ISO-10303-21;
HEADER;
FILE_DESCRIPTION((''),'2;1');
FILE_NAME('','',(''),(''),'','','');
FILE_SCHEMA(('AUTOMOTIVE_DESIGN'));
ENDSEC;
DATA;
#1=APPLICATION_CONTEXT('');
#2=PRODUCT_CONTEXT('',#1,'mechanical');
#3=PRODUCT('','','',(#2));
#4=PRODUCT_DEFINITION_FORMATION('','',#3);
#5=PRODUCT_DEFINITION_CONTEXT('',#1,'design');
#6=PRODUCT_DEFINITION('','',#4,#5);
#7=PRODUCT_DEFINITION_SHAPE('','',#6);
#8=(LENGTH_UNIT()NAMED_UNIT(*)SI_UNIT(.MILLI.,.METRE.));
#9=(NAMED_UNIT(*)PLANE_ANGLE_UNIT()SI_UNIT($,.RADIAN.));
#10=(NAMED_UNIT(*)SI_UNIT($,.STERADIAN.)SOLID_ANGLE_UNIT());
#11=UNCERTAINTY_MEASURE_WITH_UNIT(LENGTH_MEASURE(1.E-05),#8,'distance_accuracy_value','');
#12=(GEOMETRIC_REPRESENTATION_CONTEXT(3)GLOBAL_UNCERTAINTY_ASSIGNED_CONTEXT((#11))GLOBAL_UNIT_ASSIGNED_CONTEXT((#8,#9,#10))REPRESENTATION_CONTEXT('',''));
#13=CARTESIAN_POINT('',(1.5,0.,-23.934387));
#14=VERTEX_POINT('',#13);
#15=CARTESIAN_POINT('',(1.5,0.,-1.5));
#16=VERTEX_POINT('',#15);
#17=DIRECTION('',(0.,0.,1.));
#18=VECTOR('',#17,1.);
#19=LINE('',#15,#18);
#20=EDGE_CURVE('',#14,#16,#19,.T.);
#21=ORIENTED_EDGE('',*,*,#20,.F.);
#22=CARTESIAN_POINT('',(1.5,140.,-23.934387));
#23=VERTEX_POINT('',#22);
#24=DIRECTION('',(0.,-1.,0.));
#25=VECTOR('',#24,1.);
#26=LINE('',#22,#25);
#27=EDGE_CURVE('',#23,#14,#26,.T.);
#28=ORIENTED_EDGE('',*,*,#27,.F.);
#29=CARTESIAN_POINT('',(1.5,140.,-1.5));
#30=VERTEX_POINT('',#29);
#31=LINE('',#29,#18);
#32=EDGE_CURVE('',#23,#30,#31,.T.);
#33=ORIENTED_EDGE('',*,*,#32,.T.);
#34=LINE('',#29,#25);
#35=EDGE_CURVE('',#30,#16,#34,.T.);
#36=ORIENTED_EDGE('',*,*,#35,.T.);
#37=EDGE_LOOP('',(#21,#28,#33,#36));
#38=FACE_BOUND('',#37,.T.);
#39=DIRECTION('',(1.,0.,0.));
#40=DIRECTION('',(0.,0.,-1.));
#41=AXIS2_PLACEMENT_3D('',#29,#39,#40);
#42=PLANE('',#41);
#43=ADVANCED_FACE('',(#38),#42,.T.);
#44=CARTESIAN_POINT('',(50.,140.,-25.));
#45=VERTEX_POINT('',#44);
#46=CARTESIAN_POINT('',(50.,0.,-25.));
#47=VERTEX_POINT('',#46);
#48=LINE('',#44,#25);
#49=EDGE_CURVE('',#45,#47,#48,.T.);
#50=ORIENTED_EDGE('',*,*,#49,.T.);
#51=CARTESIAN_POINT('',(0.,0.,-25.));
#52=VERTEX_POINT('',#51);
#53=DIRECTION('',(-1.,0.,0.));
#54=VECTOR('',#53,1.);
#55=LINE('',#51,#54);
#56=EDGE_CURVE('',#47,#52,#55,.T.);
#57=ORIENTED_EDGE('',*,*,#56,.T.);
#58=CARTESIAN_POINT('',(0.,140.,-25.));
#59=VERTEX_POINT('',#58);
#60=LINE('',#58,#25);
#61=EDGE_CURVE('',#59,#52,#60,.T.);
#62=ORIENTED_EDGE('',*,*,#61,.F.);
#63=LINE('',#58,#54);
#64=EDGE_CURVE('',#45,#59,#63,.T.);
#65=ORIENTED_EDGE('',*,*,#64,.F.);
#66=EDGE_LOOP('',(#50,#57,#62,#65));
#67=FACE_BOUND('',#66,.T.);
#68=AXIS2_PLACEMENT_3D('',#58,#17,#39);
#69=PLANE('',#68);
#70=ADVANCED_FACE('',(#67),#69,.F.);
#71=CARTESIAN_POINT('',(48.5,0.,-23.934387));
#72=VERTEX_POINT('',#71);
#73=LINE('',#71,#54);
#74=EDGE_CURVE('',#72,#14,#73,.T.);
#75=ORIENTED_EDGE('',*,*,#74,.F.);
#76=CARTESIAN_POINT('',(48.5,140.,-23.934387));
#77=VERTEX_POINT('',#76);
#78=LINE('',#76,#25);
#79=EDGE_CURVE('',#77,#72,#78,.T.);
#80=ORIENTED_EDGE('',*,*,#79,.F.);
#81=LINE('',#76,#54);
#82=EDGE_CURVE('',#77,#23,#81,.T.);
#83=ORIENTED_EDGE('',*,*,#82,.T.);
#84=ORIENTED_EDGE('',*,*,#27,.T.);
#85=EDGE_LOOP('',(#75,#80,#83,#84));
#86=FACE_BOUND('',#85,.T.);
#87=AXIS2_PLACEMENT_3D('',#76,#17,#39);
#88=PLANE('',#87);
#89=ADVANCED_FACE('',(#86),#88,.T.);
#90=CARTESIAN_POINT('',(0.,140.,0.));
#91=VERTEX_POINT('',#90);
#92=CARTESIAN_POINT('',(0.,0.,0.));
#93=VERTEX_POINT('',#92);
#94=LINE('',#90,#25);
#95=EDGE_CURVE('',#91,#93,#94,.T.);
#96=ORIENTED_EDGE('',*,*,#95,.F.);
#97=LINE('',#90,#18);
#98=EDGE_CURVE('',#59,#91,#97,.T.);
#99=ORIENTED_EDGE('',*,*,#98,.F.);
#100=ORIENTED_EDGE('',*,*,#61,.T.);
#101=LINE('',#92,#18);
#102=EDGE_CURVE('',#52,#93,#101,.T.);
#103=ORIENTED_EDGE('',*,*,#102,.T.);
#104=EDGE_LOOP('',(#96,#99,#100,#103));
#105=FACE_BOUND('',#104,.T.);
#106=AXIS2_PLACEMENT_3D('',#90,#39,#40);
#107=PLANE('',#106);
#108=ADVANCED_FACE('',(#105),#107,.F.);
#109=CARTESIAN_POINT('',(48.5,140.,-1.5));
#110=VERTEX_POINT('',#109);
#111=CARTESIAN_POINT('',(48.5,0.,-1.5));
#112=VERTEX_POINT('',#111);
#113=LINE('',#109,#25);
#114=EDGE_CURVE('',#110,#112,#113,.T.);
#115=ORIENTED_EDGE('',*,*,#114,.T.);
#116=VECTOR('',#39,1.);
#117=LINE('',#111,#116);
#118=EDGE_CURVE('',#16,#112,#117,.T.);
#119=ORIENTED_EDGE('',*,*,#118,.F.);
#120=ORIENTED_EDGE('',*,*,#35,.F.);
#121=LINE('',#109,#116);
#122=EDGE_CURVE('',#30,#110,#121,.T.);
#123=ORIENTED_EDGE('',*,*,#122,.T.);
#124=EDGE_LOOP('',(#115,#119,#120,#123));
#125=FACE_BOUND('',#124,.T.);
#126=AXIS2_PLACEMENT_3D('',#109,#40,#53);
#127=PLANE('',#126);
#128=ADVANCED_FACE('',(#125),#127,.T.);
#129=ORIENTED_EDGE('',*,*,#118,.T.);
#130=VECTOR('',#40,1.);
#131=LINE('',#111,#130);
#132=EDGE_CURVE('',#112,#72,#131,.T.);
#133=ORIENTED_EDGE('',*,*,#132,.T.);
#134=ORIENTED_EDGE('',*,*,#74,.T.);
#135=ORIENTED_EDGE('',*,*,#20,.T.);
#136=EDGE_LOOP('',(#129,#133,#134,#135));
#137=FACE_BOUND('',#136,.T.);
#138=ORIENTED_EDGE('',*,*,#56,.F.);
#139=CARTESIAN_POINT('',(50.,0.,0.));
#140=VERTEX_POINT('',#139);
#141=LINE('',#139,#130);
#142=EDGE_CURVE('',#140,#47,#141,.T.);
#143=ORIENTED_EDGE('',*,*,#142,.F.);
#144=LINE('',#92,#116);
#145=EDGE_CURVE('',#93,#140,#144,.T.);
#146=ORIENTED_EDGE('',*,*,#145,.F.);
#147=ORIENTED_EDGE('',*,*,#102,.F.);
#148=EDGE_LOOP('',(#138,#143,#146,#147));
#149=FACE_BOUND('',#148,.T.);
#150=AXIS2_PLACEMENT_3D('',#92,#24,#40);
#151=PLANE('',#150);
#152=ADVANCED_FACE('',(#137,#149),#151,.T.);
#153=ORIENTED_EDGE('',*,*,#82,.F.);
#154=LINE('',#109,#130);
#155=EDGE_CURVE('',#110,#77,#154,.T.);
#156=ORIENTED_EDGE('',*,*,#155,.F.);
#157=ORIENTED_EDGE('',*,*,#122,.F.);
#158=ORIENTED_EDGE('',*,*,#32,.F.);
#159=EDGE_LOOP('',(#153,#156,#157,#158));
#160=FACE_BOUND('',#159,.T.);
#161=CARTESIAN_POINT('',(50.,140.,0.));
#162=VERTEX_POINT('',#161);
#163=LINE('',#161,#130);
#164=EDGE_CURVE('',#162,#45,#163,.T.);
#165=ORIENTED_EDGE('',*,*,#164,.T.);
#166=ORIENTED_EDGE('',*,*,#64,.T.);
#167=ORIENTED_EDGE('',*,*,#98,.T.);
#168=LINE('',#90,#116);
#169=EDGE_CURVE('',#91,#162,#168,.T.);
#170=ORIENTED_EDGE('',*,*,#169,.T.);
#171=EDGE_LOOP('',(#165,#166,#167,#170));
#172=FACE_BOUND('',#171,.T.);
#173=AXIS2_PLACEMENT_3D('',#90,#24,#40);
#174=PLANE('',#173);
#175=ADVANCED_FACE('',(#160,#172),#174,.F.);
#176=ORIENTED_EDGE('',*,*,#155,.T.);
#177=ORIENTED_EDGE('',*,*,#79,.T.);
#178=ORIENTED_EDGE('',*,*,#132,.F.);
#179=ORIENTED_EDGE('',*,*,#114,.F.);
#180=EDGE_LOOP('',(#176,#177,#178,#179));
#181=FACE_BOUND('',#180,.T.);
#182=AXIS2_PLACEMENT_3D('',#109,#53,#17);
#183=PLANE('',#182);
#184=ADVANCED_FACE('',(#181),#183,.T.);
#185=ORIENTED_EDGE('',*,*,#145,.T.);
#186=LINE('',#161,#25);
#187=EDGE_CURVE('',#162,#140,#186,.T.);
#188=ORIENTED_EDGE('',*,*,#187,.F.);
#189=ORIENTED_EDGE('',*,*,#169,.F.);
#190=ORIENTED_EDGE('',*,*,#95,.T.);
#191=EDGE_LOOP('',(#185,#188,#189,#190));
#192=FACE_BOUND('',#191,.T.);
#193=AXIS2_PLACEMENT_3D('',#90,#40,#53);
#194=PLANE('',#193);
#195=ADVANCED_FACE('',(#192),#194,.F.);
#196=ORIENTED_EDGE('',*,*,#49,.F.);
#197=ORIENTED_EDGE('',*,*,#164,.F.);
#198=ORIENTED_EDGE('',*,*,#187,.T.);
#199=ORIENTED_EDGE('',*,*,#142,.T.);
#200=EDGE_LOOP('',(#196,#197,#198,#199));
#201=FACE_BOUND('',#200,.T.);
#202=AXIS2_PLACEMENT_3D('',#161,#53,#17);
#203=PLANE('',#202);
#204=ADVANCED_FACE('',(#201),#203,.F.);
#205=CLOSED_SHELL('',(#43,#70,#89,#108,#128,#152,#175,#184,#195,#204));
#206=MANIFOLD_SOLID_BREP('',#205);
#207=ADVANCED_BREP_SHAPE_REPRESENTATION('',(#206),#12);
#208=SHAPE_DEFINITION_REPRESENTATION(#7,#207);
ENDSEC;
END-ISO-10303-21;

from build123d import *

# Parameters (mm, degrees)
SKETCH1_W           = 50
SKETCH1_H           = 25
SKETCH1_W_2         = 47
SKETCH1_H_2         = 22.434387025
BOSS_EXTRUDE1_DEPTH = 140


with BuildPart() as part:
    # Sketch1 → Boss-Extrude1 (new body)
    with BuildSketch(Plane(origin=(0, 0, 0), x_dir=(1, 0, 0), z_dir=(0, 1, 0))):
        with Locations((25, 12.5)):
            Rectangle(SKETCH1_W, SKETCH1_H)
        with Locations((25, 12.717193513)):
            Rectangle(SKETCH1_W_2, SKETCH1_H_2, mode=Mode.SUBTRACT)
    extrude(amount=BOSS_EXTRUDE1_DEPTH)


solid = part.part
